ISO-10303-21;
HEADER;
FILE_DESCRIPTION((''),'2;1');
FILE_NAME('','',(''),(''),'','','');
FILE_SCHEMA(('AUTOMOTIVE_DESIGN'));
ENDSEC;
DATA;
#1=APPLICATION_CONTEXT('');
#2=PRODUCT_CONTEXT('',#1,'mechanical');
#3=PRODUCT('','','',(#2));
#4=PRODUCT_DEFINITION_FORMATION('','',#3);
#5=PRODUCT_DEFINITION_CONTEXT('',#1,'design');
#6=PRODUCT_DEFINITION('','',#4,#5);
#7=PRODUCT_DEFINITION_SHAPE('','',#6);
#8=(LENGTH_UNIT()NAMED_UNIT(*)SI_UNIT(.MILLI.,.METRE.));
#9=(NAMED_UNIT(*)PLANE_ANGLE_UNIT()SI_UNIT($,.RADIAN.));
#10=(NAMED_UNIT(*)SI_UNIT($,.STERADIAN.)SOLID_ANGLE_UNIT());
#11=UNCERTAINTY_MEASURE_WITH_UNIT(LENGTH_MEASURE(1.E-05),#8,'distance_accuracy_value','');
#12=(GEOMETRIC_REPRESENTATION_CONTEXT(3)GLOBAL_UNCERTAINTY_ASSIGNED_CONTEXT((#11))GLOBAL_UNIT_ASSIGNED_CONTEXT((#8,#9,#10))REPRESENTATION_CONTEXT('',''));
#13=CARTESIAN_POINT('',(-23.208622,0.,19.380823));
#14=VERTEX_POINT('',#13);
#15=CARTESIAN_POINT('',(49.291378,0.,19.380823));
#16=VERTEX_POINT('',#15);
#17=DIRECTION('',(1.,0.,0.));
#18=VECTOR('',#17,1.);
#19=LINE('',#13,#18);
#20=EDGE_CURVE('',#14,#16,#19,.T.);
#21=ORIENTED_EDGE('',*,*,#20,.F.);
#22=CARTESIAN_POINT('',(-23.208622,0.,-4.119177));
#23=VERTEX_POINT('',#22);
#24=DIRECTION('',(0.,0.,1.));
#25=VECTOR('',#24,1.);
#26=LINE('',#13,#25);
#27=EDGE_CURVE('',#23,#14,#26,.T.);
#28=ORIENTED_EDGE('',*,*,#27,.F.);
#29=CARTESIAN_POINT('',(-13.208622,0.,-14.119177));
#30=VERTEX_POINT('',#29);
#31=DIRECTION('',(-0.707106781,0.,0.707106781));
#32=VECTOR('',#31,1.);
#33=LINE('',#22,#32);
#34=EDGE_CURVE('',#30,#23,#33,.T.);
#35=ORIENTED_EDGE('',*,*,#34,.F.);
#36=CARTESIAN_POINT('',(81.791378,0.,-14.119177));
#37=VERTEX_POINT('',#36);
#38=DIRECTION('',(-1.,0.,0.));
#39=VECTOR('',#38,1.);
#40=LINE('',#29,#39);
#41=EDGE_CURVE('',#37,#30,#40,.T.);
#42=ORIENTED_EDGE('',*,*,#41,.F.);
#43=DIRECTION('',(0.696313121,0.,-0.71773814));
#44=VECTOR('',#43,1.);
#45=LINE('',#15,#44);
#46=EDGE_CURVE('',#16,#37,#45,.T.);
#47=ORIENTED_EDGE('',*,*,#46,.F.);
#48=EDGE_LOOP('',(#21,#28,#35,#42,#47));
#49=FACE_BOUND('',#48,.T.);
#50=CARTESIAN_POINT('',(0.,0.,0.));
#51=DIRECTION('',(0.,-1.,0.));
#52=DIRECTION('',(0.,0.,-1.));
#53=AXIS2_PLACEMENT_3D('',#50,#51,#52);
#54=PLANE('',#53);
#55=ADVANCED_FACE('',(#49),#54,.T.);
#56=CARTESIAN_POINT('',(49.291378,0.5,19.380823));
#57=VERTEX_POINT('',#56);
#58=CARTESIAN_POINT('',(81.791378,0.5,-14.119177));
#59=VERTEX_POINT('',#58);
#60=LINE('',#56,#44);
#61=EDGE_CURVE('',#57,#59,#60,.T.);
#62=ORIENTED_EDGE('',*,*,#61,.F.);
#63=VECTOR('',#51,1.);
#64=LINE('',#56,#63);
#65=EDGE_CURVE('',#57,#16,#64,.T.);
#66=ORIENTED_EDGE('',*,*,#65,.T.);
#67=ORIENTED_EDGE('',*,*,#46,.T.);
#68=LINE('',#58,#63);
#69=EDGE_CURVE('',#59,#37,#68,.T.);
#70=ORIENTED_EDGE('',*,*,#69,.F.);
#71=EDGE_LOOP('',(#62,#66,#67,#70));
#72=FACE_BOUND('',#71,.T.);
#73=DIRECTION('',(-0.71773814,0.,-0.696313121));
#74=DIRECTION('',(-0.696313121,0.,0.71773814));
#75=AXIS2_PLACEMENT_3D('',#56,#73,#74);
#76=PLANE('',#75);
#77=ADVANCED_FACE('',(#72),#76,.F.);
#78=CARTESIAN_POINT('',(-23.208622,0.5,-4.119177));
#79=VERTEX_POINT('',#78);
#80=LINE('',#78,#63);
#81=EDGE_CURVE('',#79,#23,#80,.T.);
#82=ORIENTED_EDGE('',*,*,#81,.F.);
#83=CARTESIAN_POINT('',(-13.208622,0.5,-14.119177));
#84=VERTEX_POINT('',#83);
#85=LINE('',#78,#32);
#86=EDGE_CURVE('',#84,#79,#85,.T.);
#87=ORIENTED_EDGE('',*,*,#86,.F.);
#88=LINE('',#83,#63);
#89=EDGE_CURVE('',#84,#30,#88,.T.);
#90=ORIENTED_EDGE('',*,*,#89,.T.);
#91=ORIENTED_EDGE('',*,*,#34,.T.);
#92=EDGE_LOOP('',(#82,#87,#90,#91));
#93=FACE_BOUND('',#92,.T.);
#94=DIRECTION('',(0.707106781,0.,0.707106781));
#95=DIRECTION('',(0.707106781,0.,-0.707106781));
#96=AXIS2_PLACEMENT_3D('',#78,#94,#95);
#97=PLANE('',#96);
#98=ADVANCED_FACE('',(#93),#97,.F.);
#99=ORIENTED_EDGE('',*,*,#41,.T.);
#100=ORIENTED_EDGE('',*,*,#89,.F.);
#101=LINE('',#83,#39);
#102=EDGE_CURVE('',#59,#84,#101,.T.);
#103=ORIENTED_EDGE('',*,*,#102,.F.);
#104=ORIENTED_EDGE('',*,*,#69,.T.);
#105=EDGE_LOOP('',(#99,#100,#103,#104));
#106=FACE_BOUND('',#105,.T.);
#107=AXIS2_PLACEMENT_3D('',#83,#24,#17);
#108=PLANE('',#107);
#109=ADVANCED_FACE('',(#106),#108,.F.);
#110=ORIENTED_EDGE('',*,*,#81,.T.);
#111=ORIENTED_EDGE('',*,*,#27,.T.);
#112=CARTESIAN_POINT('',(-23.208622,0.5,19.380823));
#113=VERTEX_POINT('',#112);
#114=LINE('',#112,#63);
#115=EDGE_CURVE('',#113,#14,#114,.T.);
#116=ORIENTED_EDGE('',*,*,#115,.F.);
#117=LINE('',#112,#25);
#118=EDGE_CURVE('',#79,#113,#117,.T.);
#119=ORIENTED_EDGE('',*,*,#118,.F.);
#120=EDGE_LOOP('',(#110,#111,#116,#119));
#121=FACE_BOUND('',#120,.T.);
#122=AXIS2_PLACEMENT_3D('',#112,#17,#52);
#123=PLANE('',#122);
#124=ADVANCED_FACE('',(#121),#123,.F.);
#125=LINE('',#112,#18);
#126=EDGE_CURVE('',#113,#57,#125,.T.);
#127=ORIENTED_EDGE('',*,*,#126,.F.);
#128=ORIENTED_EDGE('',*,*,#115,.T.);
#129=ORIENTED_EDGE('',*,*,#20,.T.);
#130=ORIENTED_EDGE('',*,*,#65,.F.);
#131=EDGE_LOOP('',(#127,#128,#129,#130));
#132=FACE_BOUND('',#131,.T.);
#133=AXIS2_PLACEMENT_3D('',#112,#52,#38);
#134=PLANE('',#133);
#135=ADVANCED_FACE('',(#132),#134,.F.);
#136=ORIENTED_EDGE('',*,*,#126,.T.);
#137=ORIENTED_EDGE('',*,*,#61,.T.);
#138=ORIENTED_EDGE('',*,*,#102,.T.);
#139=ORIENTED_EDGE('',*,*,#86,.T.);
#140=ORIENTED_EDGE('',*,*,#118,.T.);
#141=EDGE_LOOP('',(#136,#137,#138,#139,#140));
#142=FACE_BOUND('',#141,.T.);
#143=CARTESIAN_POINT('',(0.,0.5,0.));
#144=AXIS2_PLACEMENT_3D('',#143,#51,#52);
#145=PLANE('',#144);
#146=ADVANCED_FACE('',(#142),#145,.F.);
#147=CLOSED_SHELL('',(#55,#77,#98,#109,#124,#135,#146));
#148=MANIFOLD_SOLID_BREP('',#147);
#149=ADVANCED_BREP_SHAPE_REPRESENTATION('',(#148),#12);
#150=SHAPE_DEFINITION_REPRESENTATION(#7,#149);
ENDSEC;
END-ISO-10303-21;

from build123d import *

# Parameters (mm, degrees)
BOSS_EXTRUDE1_DEPTH = 0.5


with BuildPart() as part:
    # Sketch1 → Boss-Extrude1 (new body)
    with BuildSketch(Plane(origin=(0, 0, 0), x_dir=(1, 0, 0), z_dir=(0, 1, 0))):
        Polygon((-23.208622398, -19.380822597), (49.291377602, -19.380822597), (81.791377602, 14.119177403), (-13.208622398, 14.119177403), (-23.208622398, 4.119177403), align=None)
    extrude(amount=BOSS_EXTRUDE1_DEPTH)


solid = part.part
